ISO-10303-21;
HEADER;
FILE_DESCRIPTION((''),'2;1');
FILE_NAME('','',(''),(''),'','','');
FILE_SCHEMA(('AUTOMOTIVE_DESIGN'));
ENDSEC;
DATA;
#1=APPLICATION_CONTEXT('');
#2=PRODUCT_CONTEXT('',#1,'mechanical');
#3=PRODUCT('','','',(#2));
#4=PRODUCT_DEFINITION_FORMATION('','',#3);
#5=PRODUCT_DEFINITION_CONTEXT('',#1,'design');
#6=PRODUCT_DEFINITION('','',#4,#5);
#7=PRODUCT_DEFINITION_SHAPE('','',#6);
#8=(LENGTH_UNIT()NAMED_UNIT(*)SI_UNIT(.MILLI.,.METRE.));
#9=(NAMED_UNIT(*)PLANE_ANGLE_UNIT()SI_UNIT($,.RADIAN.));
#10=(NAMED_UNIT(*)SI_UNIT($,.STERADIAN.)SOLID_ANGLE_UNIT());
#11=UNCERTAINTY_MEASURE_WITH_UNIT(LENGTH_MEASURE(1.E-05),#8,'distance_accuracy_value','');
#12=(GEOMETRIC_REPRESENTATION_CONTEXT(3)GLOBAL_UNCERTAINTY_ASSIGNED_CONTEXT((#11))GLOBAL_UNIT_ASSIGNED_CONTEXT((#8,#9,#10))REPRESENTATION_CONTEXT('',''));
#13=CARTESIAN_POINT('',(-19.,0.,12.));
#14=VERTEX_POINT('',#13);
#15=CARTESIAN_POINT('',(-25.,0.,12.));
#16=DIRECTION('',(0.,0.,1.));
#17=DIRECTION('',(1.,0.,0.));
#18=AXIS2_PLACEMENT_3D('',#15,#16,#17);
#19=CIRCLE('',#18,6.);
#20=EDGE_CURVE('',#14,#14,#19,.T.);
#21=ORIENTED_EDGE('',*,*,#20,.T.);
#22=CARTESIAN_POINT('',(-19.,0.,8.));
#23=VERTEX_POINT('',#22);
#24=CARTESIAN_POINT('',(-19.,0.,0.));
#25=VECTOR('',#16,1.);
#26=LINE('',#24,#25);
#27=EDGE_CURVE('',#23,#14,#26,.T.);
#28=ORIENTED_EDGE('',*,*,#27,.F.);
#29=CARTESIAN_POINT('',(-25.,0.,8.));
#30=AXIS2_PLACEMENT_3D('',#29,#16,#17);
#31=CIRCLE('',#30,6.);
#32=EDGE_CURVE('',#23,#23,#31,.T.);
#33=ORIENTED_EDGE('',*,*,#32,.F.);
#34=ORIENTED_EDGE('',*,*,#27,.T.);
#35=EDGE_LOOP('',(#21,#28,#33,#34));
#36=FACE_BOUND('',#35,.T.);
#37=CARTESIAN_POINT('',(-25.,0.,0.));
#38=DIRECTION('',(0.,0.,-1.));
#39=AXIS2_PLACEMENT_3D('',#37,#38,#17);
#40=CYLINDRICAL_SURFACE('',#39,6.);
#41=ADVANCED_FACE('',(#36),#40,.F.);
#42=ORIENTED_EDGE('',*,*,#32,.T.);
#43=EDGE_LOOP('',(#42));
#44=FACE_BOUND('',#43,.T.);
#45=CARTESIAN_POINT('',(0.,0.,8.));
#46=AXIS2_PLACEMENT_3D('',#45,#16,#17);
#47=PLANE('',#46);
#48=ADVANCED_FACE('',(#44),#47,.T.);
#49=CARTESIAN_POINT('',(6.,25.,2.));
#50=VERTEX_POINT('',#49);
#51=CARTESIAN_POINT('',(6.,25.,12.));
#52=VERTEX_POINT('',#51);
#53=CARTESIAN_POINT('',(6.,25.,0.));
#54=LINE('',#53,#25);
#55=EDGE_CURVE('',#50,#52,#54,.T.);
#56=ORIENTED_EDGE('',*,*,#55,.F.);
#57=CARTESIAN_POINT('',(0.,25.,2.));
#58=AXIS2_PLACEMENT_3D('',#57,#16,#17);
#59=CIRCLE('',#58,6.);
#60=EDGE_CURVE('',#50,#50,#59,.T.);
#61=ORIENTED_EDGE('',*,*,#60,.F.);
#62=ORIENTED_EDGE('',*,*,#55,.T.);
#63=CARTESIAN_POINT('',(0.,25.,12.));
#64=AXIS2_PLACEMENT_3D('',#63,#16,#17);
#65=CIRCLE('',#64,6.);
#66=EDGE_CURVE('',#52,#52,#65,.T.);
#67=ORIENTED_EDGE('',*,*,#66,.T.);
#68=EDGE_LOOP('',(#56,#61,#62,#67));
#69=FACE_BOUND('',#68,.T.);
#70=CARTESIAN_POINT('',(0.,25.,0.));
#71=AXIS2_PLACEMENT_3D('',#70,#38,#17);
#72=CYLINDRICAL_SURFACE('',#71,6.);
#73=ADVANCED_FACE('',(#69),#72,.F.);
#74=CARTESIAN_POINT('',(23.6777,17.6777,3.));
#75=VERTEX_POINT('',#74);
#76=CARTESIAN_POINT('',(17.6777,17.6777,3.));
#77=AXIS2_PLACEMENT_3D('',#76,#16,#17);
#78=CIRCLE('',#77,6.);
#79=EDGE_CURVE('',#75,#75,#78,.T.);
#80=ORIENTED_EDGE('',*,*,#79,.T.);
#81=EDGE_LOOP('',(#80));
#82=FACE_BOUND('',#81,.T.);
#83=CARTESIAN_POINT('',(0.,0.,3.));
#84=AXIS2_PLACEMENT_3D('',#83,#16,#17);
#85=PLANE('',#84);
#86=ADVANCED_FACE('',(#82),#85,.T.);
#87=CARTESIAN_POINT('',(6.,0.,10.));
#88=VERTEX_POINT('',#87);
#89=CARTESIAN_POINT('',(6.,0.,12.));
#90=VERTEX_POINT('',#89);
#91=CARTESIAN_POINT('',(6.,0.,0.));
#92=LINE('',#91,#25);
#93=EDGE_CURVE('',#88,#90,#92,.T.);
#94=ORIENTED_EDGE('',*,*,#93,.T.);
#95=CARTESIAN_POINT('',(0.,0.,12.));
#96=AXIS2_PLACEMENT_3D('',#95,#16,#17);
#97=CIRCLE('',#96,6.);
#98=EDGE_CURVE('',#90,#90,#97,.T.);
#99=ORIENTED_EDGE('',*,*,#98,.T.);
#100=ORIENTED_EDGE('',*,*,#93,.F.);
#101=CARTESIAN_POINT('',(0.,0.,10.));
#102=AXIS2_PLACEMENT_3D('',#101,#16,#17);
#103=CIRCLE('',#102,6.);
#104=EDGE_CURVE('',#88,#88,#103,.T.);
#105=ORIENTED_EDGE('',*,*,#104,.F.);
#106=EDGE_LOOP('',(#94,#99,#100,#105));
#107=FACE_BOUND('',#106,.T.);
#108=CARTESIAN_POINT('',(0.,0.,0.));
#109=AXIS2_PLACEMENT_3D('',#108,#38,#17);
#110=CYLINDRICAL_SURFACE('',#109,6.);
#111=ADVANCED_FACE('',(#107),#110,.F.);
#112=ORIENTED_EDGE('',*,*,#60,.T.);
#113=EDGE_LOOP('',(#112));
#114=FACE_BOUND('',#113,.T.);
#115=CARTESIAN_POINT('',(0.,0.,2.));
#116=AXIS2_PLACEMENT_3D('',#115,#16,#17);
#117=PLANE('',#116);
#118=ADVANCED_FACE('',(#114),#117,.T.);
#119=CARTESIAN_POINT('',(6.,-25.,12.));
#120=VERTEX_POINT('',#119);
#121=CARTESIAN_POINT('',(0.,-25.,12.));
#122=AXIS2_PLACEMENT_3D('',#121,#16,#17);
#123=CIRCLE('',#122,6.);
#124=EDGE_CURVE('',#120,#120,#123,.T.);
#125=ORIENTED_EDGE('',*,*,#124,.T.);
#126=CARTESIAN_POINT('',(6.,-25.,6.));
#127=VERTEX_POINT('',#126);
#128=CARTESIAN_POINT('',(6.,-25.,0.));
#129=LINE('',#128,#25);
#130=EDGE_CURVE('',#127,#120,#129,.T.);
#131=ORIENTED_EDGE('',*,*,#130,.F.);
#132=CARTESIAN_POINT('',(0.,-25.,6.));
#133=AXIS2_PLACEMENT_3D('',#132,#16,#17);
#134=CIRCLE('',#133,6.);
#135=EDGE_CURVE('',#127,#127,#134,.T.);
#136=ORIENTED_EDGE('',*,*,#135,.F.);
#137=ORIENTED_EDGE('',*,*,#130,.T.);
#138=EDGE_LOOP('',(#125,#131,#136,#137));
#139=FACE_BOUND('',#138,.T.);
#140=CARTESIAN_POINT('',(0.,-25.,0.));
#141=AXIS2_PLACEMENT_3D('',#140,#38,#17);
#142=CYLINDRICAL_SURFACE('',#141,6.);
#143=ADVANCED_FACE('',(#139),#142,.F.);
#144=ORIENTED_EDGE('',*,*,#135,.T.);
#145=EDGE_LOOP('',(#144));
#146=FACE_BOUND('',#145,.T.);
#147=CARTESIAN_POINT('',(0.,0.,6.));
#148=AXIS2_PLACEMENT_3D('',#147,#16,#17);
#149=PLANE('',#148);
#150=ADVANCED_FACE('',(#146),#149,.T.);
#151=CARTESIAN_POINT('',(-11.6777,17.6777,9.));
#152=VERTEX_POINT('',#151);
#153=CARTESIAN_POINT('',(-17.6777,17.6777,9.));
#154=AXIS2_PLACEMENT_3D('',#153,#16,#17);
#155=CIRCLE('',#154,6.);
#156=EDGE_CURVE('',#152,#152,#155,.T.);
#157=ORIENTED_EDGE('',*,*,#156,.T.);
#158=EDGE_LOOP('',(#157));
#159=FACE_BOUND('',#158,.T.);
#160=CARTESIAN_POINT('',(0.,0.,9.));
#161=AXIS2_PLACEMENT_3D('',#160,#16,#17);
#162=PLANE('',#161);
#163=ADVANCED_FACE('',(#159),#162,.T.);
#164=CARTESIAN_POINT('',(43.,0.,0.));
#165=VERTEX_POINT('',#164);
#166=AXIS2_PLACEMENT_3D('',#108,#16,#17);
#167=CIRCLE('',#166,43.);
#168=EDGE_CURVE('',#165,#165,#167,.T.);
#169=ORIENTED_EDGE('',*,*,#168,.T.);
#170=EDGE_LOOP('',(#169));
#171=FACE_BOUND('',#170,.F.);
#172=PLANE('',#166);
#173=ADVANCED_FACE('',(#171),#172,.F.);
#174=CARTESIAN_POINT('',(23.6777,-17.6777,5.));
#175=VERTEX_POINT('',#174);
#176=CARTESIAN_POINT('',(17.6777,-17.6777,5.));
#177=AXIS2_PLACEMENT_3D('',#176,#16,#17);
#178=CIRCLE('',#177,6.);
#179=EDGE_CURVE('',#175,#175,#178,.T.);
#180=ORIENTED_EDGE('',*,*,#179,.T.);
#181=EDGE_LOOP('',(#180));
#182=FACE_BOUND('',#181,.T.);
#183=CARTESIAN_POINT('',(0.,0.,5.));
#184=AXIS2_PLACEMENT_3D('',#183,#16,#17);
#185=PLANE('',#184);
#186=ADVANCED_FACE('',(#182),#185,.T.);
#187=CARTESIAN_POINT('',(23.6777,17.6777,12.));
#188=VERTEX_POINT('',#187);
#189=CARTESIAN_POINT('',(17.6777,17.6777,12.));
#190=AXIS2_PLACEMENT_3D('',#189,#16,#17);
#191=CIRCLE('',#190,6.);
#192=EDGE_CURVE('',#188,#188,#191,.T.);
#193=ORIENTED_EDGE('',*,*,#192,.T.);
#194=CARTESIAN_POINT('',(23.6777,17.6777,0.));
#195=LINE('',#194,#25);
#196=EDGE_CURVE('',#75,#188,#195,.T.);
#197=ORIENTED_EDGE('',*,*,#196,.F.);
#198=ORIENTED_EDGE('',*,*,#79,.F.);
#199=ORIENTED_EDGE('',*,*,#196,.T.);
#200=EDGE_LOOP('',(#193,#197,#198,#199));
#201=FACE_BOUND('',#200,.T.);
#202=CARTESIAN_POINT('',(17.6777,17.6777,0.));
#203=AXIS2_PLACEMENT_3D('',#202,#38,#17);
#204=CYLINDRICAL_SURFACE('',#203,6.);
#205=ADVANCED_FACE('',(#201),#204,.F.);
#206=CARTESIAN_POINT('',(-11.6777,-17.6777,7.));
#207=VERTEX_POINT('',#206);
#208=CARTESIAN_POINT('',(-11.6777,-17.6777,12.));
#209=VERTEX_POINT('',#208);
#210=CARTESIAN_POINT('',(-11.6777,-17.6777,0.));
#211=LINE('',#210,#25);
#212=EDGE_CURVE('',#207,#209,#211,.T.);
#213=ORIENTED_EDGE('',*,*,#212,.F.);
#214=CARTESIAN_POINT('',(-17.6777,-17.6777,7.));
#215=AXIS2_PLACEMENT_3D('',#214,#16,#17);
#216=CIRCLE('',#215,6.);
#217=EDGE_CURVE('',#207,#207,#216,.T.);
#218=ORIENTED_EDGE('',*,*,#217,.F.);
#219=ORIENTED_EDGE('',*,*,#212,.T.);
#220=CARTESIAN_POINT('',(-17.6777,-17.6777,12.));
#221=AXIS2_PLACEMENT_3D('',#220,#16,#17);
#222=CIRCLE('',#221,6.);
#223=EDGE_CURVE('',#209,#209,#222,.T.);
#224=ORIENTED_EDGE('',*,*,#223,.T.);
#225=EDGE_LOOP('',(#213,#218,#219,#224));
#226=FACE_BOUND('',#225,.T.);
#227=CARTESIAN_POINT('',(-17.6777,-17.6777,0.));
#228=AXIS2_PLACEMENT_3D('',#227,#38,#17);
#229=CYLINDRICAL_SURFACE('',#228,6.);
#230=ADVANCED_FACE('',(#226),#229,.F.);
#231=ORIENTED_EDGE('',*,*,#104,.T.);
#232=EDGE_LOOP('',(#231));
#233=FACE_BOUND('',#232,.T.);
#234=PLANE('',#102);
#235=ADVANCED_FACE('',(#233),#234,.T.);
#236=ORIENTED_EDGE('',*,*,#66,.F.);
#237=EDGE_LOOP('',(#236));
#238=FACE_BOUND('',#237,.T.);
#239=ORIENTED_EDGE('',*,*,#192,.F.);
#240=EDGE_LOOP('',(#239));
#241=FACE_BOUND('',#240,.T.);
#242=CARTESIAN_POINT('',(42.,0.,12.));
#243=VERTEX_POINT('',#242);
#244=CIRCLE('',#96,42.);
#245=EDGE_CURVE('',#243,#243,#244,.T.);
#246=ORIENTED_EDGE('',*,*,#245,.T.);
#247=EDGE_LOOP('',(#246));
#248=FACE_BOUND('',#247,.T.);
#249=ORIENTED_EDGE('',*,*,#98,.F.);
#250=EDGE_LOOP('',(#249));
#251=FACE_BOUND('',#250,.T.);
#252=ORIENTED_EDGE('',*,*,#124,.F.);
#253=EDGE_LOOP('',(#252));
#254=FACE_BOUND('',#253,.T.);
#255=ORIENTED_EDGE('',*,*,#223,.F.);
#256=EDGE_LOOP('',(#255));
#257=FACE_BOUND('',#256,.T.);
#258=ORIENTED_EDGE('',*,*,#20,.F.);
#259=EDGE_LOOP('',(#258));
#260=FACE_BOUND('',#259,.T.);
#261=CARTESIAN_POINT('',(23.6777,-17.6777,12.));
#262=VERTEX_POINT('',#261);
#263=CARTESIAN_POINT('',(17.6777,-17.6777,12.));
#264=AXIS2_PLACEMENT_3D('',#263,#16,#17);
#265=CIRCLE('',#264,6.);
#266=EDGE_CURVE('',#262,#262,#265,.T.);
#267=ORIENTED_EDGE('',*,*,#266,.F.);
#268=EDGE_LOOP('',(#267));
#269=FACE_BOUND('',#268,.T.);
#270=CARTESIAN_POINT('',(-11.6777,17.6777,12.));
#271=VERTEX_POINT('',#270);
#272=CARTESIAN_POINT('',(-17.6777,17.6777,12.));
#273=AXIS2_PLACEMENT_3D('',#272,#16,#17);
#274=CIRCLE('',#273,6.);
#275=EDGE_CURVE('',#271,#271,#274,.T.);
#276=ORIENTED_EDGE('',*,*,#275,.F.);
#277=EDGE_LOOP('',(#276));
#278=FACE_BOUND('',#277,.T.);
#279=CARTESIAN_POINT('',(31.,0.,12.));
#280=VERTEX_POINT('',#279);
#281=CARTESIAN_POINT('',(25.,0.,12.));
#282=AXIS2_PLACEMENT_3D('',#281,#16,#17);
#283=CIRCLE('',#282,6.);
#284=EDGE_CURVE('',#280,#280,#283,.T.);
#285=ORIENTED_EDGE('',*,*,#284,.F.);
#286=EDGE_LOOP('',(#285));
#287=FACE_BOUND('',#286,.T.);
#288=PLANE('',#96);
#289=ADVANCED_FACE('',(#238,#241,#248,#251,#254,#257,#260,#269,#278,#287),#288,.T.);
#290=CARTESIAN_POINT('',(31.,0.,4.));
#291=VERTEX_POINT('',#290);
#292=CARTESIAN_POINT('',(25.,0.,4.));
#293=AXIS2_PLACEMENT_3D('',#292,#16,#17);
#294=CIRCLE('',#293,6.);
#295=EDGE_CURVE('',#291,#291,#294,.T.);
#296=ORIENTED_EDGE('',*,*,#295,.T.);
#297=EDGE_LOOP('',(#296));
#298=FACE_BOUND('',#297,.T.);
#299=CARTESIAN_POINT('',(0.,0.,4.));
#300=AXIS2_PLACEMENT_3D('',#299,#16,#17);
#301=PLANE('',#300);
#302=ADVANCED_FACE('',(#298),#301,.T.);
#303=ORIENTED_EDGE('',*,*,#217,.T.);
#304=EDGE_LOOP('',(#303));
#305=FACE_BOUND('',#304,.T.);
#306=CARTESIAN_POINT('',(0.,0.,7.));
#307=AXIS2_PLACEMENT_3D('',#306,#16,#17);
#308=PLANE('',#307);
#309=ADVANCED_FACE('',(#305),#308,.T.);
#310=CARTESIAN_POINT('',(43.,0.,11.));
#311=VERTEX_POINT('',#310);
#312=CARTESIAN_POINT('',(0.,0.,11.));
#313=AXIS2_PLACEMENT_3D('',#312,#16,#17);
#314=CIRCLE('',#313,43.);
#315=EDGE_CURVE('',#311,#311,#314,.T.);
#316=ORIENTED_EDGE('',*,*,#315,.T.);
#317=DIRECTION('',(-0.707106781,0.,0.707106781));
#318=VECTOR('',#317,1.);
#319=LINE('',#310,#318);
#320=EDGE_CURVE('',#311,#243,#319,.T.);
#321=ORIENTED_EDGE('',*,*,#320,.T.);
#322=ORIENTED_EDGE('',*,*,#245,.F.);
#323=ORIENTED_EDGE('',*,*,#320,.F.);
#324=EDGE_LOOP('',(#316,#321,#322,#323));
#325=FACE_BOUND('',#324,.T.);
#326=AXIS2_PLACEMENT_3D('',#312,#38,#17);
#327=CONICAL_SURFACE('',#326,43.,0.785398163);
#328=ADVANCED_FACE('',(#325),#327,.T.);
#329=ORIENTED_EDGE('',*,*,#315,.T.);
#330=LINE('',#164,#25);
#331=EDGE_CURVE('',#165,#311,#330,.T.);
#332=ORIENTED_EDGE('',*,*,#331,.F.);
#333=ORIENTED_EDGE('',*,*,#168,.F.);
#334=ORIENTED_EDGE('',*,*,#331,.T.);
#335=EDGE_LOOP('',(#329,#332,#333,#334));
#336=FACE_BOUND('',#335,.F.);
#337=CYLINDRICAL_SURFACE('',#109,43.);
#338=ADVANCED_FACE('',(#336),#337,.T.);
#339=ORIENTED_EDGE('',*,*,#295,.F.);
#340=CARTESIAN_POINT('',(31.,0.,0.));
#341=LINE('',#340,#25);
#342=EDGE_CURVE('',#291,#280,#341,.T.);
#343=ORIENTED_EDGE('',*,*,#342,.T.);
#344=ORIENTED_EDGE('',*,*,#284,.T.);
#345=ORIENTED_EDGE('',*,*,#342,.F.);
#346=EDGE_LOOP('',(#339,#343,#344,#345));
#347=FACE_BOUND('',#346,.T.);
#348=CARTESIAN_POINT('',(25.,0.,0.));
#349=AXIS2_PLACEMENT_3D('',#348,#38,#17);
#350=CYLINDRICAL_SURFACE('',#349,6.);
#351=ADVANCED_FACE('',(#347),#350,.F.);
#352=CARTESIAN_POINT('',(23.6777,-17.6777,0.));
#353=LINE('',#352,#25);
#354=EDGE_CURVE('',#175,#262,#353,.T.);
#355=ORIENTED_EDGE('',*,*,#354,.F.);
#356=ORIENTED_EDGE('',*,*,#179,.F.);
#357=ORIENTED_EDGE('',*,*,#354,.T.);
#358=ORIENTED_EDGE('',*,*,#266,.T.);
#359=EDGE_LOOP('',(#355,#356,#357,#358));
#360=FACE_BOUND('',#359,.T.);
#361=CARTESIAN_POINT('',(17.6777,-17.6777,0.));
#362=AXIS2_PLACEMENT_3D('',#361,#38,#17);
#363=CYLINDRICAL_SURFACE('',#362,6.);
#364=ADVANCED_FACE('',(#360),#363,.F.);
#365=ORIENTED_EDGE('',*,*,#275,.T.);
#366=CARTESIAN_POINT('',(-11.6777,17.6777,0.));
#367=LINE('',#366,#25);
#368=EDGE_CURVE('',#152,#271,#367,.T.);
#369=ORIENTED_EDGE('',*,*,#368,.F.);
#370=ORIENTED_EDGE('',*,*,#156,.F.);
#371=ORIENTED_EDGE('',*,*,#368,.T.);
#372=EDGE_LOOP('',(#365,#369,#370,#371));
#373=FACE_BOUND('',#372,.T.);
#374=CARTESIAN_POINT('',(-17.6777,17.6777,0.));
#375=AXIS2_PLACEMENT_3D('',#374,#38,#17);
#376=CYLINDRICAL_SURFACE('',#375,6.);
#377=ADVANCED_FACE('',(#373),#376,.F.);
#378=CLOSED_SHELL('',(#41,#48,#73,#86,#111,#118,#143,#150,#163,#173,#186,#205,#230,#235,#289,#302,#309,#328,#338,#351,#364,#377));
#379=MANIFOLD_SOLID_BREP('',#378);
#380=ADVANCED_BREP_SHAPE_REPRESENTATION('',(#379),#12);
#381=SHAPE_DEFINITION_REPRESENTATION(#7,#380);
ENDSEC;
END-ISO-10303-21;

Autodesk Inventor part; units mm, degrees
ref_plane "YZ Plane" through (0, 0, 0) normal (1, 0, 0) x (0, 1, 0)
ref_plane "XZ Plane" through (0, 0, 0) normal (0, 1, 0) x (-1, 0, 0)
ref_plane "XY Plane" through (0, 0, 0) normal (0, 0, 1) x (1, 0, 0)
sketch "Sketch1" plane through (0, 0, 0) normal (0, 0, 1) x (1, 0, 0)
  circle A0 centre (0, 0) radius 43
  circle A1 centre (0, 0) radius 6
  circle A2 centre (0, 25) radius 6
  circle A3 centre (-17.6777, 17.6777) radius 6
  circle A4 centre (-25, 0) radius 6
  circle A5 centre (-17.6777, -17.6777) radius 6
  circle A6 centre (0, -25) radius 6
  circle A7 centre (17.6777, -17.6777) radius 6
  circle A8 centre (25, 0) radius 6
  circle A9 centre (17.6777, 17.6777) radius 6
  dimension "diameter" = 12
  dimension "d2" = 12
  dimension "d5" = 360
  dimension "d7" = 25
  dimension "d28" = 86
extrude "Extrusion1" add sketch "Sketch1" along normal blind 12
extrude "Extrusion2" add sketch "Sketch1" along normal blind 2 contours A2
extrude "Extrusion3" add sketch "Sketch1" along normal blind 3 contours A9
extrude "Extrusion4" add sketch "Sketch1" along normal blind 4 contours A8
extrude "Extrusion5" add sketch "Sketch1" along normal blind 5 contours A7
extrude "Extrusion6" add sketch "Sketch1" along normal blind 6 contours A6
extrude "Extrusion7" add sketch "Sketch1" along normal blind 7 contours A5
extrude "Extrusion8" add sketch "Sketch1" along normal blind 8 contours A4
extrude "Extrusion9" add sketch "Sketch1" along normal blind 9 contours A3
extrude "Extrusion10" add sketch "Sketch1" along normal blind 10 contours A1
sketch "Sketch2" plane through (0, 0, 12) normal (0, 0, 1) x (1, 0, 0)
  line L0 (-5.8774, 39.105) -> (5.7366, 39.105) construction
  line L1 (5.7366, 39.105) -> (5.7366, 35.936) construction
  line L2 (5.7366, 35.936) -> (-5.8774, 35.936) construction
  line L3 (-5.8774, 35.936) -> (-5.8774, 39.105) construction
  point P0 (0, 0)
emboss "Emboss1" [suppressed]
chamfer "Chamfer1" distance 1 angle 45 1 edges at (-43, 0, 12)
equation "\"d2\" = diameter"
properties part number "Diameter_12mm"
